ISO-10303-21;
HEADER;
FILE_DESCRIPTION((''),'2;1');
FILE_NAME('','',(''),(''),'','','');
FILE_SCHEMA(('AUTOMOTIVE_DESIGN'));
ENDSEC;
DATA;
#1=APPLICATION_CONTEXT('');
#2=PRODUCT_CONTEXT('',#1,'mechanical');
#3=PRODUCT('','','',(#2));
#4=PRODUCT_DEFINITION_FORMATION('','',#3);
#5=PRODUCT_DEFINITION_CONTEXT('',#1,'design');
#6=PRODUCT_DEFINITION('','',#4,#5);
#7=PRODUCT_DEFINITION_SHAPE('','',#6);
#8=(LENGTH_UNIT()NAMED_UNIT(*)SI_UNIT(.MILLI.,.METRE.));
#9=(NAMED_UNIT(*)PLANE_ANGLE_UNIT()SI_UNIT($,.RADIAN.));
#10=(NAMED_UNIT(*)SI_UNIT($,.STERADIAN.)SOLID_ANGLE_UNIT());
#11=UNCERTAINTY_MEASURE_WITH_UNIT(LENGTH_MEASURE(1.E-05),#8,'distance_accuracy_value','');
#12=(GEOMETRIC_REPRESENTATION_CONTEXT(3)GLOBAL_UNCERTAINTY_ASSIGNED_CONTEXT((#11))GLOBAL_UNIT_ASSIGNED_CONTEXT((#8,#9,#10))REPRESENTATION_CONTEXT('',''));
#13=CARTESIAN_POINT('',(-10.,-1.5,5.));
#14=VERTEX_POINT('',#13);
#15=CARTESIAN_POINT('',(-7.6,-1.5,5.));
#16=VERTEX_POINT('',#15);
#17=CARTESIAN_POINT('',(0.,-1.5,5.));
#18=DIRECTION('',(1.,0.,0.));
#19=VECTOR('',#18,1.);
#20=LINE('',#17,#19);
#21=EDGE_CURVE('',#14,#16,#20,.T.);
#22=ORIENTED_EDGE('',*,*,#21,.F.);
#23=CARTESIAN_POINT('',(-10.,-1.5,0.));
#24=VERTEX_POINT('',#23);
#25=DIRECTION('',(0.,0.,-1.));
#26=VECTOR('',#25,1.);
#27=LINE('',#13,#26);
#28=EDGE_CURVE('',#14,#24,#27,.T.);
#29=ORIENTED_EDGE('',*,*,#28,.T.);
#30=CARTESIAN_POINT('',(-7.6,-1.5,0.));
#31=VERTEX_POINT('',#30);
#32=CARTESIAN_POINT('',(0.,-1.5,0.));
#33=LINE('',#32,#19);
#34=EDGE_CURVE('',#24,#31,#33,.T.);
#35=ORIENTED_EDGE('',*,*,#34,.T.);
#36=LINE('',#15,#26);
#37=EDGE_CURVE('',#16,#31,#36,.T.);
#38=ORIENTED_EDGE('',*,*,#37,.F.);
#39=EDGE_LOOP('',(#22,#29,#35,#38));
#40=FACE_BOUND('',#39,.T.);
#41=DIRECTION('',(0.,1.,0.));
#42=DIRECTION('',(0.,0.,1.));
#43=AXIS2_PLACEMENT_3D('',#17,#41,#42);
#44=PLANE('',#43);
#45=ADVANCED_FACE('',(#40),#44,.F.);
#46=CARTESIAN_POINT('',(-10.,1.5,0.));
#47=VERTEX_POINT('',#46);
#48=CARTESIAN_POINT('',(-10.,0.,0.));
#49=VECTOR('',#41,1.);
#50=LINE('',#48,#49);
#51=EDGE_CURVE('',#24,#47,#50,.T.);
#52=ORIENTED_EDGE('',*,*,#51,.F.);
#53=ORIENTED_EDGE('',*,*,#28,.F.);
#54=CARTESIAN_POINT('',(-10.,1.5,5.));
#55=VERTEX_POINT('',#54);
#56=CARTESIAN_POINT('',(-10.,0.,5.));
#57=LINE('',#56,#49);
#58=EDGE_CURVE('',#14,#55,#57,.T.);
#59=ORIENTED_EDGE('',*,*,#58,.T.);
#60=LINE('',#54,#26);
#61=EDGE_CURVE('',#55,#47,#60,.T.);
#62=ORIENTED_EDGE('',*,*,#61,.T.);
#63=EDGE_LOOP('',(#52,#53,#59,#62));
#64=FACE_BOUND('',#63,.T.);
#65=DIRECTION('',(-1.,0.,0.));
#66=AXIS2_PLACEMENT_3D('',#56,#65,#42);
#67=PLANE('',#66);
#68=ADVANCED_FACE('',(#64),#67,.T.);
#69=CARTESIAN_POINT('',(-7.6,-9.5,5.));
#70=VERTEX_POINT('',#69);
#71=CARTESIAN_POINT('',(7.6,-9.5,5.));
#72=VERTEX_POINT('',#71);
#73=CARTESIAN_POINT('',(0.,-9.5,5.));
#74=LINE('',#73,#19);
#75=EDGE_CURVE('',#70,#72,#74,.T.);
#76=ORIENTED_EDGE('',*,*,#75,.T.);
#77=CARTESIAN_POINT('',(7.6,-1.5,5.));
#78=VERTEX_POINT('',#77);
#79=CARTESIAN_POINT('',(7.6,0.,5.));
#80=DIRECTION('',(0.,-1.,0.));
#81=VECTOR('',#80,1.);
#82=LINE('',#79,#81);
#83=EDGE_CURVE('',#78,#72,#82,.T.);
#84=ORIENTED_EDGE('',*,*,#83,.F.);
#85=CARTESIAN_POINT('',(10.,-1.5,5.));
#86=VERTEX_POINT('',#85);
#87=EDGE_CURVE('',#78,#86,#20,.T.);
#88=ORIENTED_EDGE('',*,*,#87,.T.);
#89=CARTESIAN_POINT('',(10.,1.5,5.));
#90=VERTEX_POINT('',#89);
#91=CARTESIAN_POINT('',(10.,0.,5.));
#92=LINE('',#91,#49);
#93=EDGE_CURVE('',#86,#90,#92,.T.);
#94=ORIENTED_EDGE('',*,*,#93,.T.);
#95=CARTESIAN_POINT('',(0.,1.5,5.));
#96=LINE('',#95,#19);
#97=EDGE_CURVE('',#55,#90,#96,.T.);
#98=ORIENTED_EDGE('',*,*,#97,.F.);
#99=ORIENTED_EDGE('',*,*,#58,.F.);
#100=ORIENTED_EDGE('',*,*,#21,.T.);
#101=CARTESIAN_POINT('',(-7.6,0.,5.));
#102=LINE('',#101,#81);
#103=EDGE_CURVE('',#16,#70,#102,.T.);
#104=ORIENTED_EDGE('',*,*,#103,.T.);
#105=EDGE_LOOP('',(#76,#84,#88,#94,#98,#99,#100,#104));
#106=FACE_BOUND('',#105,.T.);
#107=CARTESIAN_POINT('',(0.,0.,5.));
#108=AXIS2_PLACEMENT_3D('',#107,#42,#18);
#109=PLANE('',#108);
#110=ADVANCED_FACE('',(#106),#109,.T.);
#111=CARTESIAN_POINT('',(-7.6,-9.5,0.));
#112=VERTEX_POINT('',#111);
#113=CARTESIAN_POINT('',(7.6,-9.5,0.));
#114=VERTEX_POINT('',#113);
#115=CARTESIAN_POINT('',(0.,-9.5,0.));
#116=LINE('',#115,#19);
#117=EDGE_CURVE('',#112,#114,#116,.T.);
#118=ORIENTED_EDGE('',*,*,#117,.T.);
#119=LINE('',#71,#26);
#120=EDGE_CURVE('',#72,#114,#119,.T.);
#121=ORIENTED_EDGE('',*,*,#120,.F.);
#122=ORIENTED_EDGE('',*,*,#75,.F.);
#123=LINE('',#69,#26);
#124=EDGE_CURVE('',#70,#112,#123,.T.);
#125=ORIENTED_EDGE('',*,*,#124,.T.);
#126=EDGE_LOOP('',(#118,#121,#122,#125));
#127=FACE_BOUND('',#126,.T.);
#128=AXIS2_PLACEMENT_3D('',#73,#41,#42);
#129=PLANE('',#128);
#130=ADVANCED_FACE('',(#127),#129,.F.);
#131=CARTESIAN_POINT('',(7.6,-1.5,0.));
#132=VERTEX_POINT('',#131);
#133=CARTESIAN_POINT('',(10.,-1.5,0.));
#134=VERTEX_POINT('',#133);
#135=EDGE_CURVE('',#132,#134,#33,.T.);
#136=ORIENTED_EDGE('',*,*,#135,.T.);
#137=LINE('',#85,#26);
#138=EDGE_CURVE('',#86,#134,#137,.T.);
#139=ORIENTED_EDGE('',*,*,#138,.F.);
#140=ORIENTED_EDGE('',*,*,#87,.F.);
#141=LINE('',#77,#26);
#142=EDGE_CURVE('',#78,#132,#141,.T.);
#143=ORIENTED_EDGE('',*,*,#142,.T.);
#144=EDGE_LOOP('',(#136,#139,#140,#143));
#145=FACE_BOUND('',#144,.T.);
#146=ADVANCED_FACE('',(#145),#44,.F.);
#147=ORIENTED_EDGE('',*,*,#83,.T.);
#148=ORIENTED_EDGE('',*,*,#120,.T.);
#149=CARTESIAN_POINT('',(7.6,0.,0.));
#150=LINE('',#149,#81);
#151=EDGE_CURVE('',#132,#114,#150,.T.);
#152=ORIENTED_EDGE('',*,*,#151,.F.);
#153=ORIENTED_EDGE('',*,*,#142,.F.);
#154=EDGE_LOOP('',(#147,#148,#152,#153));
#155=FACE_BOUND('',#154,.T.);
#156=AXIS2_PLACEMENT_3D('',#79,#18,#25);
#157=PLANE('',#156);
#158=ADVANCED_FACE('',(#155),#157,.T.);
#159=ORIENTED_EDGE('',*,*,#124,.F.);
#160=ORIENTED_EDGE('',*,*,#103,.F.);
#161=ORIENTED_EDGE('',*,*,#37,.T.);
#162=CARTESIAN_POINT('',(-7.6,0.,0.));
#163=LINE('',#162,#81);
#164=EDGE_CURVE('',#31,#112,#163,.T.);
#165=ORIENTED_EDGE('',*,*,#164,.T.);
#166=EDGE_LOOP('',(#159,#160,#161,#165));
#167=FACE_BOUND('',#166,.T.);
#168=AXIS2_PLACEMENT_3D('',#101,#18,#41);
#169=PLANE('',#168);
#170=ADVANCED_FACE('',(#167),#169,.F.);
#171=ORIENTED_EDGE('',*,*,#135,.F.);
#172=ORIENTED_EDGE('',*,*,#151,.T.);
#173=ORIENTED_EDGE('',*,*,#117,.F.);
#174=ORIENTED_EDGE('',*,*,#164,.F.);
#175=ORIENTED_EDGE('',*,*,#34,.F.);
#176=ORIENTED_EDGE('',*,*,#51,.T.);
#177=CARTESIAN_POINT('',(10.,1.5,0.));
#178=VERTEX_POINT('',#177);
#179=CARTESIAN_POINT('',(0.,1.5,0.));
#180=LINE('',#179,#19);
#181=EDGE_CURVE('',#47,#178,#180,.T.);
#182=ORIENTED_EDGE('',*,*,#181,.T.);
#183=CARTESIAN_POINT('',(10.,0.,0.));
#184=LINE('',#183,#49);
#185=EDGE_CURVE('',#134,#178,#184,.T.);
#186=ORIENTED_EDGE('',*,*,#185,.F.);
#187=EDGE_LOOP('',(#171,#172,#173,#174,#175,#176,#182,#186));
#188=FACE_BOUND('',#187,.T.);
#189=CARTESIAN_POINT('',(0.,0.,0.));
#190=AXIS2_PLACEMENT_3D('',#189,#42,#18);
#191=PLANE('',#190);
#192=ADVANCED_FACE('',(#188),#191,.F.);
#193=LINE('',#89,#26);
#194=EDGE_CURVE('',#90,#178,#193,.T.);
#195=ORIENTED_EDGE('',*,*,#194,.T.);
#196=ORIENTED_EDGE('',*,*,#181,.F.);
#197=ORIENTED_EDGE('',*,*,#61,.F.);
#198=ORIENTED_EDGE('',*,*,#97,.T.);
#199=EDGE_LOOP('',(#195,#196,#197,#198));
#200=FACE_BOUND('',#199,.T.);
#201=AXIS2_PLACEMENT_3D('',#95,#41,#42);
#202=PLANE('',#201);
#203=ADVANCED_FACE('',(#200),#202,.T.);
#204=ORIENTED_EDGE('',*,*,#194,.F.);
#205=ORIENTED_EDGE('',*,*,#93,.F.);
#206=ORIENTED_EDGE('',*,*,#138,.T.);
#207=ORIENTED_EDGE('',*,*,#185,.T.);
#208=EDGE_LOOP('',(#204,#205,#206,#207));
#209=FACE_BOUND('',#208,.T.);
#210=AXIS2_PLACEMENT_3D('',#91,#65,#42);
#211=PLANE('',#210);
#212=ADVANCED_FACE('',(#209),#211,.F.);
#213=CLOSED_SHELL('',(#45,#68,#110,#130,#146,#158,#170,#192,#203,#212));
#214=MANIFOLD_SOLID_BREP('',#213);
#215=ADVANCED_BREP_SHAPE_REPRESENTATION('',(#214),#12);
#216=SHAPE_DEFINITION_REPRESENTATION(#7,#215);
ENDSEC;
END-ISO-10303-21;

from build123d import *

# Parameters (mm, degrees)
SKETCH_1_W      = 20
SKETCH_1_H      = 3
SKETCH_1_W_2    = 15.2
SKETCH_1_H_2    = 8
EXTRUDE_1_DEPTH = 5


with BuildPart() as part:
    # 草图1 → 凸台-拉伸1 (new body)
    with BuildSketch(Plane.XY):
        Rectangle(SKETCH_1_W, SKETCH_1_H)
        with Locations((0, -5.5)):
            Rectangle(SKETCH_1_W_2, SKETCH_1_H_2)
    extrude(amount=EXTRUDE_1_DEPTH)


solid = part.part
